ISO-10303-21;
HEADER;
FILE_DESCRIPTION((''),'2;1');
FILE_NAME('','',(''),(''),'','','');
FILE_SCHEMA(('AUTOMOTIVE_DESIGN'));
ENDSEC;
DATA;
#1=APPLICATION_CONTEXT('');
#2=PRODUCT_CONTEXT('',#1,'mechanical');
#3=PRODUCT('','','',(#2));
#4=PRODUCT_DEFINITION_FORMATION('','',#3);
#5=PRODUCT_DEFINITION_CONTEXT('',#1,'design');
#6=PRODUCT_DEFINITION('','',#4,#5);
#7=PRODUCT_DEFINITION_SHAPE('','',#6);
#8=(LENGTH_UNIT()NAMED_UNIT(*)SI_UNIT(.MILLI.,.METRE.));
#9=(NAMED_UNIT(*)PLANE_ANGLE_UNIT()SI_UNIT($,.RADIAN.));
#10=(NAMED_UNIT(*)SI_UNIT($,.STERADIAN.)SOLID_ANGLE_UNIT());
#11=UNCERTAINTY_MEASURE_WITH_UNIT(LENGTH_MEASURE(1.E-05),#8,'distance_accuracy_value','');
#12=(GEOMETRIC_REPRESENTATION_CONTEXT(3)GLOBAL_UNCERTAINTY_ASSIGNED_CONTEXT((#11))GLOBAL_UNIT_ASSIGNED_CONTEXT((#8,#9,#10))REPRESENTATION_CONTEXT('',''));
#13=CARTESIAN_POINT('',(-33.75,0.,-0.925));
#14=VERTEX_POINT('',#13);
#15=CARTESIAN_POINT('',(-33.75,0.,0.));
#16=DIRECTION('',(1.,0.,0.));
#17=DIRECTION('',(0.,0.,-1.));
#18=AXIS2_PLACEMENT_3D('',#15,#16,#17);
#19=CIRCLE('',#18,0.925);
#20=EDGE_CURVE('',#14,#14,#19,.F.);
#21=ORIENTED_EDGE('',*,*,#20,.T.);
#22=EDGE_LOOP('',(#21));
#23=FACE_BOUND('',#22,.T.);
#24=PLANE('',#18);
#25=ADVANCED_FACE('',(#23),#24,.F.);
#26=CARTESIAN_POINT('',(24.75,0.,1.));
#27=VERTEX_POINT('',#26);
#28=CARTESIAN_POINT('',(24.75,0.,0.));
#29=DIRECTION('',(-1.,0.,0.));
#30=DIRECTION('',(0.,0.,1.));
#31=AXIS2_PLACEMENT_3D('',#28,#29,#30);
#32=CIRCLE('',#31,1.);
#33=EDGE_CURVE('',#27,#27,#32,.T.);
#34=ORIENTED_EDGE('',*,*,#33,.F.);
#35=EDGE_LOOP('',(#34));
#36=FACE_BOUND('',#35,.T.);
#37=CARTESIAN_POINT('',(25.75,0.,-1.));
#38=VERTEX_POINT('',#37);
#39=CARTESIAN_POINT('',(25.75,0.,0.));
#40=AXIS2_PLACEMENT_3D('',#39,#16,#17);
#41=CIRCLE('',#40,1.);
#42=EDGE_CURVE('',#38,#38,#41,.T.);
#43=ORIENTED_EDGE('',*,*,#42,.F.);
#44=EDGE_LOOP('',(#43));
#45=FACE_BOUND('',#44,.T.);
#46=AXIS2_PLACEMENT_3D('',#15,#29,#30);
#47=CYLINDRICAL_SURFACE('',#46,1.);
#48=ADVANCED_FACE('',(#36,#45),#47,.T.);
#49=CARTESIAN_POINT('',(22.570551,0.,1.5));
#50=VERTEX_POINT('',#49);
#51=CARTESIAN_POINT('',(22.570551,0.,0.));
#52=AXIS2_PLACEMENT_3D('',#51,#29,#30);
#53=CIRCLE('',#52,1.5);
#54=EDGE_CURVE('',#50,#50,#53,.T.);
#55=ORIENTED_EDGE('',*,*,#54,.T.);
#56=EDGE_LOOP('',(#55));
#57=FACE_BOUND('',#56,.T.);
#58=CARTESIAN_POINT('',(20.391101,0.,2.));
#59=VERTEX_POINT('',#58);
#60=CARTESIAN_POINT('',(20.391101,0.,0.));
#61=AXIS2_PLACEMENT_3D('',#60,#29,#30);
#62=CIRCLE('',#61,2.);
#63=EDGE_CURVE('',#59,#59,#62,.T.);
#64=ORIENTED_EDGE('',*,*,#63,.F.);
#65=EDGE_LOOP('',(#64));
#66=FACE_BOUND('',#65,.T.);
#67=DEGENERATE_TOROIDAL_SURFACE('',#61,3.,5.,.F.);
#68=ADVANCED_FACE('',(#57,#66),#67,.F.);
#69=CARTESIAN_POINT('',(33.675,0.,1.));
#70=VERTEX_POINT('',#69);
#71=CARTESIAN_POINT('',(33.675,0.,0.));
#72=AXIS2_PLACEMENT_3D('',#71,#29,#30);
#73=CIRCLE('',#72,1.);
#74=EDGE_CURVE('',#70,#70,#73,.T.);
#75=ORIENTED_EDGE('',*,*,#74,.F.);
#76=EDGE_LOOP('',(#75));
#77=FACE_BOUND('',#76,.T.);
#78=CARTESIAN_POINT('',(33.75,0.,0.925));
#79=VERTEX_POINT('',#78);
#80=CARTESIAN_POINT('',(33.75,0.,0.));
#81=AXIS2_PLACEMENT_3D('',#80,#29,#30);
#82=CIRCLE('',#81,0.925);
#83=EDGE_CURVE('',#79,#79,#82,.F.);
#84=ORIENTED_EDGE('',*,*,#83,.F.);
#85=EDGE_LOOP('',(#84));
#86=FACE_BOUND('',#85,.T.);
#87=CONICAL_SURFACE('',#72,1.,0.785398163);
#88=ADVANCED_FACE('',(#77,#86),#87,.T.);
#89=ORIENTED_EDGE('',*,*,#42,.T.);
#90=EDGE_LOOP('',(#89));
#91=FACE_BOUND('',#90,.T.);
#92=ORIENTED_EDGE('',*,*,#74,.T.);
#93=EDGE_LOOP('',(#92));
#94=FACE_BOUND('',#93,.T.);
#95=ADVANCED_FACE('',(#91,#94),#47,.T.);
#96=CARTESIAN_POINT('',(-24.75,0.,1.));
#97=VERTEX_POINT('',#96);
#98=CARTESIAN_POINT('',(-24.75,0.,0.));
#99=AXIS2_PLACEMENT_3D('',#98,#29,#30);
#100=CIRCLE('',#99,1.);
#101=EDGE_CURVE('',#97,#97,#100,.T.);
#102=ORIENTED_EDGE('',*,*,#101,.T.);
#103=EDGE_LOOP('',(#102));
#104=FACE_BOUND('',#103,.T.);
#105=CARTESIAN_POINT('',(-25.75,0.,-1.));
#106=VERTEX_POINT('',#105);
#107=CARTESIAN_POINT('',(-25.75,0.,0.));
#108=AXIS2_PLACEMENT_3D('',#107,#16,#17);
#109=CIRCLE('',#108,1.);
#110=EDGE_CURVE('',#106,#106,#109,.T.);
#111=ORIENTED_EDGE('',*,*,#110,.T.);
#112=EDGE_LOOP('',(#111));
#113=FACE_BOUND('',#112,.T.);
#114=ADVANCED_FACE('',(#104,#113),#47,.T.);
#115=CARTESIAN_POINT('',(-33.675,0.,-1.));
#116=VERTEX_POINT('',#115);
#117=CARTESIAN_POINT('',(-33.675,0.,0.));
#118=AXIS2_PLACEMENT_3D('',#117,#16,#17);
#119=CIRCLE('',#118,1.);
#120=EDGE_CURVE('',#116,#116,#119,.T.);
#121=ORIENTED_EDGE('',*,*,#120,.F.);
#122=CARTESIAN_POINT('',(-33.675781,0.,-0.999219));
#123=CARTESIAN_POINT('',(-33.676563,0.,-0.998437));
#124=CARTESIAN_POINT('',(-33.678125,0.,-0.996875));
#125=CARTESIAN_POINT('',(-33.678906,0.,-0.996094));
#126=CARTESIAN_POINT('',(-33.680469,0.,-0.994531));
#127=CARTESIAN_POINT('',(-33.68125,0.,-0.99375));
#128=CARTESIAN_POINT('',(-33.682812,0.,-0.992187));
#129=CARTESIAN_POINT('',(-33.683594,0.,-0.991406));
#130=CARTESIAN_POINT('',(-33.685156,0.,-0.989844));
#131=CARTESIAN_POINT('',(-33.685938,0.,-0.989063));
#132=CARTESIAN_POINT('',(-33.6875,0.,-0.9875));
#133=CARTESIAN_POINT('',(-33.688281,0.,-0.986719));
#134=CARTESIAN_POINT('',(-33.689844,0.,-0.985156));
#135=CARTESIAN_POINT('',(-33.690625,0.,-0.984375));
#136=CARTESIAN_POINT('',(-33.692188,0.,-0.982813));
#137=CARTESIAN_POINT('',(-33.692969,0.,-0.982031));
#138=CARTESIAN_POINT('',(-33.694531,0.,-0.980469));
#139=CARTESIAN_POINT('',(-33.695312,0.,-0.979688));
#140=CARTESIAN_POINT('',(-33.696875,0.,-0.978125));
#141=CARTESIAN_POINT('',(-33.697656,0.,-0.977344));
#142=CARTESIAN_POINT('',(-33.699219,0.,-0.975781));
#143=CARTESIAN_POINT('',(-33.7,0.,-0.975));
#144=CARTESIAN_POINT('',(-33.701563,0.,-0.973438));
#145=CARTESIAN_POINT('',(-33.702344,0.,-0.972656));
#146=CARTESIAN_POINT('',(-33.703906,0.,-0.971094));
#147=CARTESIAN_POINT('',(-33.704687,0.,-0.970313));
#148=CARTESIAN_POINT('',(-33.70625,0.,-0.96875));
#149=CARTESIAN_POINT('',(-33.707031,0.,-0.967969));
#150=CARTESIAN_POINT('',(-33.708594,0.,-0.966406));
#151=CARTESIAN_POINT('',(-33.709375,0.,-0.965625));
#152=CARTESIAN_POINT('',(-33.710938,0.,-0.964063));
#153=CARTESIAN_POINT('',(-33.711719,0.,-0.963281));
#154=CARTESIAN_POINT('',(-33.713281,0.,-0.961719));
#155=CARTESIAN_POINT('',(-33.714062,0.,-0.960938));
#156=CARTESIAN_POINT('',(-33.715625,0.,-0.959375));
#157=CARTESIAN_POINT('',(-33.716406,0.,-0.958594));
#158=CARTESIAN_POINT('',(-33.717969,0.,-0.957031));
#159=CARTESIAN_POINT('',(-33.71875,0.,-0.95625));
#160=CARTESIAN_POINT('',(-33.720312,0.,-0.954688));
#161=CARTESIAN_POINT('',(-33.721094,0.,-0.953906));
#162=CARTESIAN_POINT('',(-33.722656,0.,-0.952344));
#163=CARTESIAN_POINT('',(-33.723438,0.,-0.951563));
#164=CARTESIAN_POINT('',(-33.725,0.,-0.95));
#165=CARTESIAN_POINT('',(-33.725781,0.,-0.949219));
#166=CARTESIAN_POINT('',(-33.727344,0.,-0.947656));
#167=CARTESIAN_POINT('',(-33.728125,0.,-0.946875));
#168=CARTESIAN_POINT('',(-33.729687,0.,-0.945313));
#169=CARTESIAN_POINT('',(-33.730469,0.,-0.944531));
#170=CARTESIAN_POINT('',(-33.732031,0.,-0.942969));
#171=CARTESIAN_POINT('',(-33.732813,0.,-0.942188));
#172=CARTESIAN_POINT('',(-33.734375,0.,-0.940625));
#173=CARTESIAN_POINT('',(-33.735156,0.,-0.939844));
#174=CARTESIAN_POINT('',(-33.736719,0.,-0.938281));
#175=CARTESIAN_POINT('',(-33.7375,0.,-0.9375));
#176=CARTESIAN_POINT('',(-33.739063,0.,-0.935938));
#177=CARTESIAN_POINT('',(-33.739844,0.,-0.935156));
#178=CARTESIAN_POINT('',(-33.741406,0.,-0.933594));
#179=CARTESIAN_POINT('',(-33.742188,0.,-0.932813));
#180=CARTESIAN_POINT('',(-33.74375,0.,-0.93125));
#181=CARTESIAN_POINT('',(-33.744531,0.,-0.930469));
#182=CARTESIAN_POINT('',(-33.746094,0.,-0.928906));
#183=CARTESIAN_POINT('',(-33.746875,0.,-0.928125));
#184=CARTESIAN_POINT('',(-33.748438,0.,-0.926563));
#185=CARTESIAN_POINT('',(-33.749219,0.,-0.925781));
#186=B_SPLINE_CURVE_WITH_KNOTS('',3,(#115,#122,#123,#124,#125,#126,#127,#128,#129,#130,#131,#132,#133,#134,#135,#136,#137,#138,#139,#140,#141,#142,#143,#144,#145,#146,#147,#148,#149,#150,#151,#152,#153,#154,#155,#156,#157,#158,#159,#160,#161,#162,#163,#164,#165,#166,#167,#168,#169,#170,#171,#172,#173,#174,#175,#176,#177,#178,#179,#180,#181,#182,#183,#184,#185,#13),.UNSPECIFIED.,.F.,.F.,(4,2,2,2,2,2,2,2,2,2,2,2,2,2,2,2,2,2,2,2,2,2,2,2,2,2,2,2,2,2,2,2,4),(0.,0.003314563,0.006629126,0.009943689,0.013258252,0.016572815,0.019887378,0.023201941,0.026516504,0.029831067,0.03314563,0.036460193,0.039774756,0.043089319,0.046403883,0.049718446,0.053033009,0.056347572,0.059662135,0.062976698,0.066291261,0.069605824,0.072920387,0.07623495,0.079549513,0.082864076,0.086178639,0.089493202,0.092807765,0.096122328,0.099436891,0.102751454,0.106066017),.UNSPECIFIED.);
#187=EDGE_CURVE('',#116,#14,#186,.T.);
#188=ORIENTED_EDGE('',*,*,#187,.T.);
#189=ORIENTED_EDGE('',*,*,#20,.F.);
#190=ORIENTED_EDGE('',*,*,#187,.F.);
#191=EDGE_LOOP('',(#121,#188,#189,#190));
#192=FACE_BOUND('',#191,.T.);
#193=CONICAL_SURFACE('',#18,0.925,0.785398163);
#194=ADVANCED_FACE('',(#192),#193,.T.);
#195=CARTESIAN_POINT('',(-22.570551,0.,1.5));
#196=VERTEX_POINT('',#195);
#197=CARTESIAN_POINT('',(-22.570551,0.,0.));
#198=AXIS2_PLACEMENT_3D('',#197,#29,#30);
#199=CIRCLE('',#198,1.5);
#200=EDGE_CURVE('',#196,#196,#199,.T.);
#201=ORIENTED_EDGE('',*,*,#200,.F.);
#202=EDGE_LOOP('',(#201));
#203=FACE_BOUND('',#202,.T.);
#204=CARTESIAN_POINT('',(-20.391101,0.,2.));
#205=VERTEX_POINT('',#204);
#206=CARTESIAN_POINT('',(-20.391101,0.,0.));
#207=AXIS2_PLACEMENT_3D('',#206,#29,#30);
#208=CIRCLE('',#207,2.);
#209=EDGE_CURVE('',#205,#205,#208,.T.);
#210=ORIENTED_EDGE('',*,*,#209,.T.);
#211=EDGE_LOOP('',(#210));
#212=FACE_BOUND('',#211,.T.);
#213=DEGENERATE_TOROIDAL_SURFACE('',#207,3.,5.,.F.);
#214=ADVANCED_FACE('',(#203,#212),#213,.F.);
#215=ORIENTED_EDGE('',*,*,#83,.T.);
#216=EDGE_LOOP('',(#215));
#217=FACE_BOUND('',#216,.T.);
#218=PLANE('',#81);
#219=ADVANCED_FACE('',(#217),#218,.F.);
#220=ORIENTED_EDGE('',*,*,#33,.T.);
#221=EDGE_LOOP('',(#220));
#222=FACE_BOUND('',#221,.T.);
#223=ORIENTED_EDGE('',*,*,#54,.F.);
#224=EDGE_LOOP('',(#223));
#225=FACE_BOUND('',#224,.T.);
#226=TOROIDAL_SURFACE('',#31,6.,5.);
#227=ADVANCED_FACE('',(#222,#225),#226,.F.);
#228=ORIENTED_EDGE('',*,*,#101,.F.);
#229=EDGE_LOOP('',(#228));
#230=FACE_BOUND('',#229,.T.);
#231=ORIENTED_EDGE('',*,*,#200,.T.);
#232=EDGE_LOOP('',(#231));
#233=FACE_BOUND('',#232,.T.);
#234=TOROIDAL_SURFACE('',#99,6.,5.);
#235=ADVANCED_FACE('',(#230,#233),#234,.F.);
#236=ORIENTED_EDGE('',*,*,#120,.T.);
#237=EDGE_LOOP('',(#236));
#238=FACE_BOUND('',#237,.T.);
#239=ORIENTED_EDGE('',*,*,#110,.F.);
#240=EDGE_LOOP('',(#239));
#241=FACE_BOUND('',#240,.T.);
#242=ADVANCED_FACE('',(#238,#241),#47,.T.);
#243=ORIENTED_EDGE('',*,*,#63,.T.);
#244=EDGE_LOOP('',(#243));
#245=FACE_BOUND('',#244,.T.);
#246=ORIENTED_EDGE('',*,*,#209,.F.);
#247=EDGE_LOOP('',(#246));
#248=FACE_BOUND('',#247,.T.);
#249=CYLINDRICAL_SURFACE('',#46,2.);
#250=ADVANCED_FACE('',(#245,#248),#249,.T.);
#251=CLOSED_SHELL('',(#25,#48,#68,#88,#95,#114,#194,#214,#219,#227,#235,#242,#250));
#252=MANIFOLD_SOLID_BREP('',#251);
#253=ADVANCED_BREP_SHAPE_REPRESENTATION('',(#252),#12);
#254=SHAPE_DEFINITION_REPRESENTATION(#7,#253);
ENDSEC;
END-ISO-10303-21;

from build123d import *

# Parameters (mm, degrees)
CHAMFER1_SIZE = 0.075


with BuildPart() as part:
    # Sketch1 → Revolve1 (revolve)
    with BuildSketch(Plane.XY, mode=Mode.PRIVATE) as revolve1_sk:
        with BuildLine():
            Line((-33.75, 0), (33.75, 0))
            Line((33.75, 0), (33.75, 1))
            Line((33.75, 1), (24.75, 1))
            ThreePointArc((24.75, 1), (23.631966011, 1.126602828), (22.570550528, 1.5))
            ThreePointArc((22.570550528, 1.5), (21.509135045, 1.873397172), (20.391101056, 2))
            Line((20.391101056, 2), (-20.391101056, 2))
            ThreePointArc((-20.391101056, 2), (-21.509135045, 1.873397172), (-22.570550528, 1.5))
            ThreePointArc((-22.570550528, 1.5), (-23.631966011, 1.126602828), (-24.75, 1))
            Line((-24.75, 1), (-33.75, 1))
            Line((-33.75, 1), (-33.75, 0))
        make_face()
    revolve(revolve1_sk.sketch.rotate(Axis((-33.75, 0, 0), (1, 0, 0)), 90), axis=Axis((-33.75, 0, 0), (1, 0, 0)))

    # Chamfer1
    chamfer1_edges = [part.edges().sort_by_distance(p)[0] for p in [
        (33.75, 0, -1),
        (-33.75, 0, -1),
    ]]
    chamfer(chamfer1_edges, length=CHAMFER1_SIZE)


solid = part.part
